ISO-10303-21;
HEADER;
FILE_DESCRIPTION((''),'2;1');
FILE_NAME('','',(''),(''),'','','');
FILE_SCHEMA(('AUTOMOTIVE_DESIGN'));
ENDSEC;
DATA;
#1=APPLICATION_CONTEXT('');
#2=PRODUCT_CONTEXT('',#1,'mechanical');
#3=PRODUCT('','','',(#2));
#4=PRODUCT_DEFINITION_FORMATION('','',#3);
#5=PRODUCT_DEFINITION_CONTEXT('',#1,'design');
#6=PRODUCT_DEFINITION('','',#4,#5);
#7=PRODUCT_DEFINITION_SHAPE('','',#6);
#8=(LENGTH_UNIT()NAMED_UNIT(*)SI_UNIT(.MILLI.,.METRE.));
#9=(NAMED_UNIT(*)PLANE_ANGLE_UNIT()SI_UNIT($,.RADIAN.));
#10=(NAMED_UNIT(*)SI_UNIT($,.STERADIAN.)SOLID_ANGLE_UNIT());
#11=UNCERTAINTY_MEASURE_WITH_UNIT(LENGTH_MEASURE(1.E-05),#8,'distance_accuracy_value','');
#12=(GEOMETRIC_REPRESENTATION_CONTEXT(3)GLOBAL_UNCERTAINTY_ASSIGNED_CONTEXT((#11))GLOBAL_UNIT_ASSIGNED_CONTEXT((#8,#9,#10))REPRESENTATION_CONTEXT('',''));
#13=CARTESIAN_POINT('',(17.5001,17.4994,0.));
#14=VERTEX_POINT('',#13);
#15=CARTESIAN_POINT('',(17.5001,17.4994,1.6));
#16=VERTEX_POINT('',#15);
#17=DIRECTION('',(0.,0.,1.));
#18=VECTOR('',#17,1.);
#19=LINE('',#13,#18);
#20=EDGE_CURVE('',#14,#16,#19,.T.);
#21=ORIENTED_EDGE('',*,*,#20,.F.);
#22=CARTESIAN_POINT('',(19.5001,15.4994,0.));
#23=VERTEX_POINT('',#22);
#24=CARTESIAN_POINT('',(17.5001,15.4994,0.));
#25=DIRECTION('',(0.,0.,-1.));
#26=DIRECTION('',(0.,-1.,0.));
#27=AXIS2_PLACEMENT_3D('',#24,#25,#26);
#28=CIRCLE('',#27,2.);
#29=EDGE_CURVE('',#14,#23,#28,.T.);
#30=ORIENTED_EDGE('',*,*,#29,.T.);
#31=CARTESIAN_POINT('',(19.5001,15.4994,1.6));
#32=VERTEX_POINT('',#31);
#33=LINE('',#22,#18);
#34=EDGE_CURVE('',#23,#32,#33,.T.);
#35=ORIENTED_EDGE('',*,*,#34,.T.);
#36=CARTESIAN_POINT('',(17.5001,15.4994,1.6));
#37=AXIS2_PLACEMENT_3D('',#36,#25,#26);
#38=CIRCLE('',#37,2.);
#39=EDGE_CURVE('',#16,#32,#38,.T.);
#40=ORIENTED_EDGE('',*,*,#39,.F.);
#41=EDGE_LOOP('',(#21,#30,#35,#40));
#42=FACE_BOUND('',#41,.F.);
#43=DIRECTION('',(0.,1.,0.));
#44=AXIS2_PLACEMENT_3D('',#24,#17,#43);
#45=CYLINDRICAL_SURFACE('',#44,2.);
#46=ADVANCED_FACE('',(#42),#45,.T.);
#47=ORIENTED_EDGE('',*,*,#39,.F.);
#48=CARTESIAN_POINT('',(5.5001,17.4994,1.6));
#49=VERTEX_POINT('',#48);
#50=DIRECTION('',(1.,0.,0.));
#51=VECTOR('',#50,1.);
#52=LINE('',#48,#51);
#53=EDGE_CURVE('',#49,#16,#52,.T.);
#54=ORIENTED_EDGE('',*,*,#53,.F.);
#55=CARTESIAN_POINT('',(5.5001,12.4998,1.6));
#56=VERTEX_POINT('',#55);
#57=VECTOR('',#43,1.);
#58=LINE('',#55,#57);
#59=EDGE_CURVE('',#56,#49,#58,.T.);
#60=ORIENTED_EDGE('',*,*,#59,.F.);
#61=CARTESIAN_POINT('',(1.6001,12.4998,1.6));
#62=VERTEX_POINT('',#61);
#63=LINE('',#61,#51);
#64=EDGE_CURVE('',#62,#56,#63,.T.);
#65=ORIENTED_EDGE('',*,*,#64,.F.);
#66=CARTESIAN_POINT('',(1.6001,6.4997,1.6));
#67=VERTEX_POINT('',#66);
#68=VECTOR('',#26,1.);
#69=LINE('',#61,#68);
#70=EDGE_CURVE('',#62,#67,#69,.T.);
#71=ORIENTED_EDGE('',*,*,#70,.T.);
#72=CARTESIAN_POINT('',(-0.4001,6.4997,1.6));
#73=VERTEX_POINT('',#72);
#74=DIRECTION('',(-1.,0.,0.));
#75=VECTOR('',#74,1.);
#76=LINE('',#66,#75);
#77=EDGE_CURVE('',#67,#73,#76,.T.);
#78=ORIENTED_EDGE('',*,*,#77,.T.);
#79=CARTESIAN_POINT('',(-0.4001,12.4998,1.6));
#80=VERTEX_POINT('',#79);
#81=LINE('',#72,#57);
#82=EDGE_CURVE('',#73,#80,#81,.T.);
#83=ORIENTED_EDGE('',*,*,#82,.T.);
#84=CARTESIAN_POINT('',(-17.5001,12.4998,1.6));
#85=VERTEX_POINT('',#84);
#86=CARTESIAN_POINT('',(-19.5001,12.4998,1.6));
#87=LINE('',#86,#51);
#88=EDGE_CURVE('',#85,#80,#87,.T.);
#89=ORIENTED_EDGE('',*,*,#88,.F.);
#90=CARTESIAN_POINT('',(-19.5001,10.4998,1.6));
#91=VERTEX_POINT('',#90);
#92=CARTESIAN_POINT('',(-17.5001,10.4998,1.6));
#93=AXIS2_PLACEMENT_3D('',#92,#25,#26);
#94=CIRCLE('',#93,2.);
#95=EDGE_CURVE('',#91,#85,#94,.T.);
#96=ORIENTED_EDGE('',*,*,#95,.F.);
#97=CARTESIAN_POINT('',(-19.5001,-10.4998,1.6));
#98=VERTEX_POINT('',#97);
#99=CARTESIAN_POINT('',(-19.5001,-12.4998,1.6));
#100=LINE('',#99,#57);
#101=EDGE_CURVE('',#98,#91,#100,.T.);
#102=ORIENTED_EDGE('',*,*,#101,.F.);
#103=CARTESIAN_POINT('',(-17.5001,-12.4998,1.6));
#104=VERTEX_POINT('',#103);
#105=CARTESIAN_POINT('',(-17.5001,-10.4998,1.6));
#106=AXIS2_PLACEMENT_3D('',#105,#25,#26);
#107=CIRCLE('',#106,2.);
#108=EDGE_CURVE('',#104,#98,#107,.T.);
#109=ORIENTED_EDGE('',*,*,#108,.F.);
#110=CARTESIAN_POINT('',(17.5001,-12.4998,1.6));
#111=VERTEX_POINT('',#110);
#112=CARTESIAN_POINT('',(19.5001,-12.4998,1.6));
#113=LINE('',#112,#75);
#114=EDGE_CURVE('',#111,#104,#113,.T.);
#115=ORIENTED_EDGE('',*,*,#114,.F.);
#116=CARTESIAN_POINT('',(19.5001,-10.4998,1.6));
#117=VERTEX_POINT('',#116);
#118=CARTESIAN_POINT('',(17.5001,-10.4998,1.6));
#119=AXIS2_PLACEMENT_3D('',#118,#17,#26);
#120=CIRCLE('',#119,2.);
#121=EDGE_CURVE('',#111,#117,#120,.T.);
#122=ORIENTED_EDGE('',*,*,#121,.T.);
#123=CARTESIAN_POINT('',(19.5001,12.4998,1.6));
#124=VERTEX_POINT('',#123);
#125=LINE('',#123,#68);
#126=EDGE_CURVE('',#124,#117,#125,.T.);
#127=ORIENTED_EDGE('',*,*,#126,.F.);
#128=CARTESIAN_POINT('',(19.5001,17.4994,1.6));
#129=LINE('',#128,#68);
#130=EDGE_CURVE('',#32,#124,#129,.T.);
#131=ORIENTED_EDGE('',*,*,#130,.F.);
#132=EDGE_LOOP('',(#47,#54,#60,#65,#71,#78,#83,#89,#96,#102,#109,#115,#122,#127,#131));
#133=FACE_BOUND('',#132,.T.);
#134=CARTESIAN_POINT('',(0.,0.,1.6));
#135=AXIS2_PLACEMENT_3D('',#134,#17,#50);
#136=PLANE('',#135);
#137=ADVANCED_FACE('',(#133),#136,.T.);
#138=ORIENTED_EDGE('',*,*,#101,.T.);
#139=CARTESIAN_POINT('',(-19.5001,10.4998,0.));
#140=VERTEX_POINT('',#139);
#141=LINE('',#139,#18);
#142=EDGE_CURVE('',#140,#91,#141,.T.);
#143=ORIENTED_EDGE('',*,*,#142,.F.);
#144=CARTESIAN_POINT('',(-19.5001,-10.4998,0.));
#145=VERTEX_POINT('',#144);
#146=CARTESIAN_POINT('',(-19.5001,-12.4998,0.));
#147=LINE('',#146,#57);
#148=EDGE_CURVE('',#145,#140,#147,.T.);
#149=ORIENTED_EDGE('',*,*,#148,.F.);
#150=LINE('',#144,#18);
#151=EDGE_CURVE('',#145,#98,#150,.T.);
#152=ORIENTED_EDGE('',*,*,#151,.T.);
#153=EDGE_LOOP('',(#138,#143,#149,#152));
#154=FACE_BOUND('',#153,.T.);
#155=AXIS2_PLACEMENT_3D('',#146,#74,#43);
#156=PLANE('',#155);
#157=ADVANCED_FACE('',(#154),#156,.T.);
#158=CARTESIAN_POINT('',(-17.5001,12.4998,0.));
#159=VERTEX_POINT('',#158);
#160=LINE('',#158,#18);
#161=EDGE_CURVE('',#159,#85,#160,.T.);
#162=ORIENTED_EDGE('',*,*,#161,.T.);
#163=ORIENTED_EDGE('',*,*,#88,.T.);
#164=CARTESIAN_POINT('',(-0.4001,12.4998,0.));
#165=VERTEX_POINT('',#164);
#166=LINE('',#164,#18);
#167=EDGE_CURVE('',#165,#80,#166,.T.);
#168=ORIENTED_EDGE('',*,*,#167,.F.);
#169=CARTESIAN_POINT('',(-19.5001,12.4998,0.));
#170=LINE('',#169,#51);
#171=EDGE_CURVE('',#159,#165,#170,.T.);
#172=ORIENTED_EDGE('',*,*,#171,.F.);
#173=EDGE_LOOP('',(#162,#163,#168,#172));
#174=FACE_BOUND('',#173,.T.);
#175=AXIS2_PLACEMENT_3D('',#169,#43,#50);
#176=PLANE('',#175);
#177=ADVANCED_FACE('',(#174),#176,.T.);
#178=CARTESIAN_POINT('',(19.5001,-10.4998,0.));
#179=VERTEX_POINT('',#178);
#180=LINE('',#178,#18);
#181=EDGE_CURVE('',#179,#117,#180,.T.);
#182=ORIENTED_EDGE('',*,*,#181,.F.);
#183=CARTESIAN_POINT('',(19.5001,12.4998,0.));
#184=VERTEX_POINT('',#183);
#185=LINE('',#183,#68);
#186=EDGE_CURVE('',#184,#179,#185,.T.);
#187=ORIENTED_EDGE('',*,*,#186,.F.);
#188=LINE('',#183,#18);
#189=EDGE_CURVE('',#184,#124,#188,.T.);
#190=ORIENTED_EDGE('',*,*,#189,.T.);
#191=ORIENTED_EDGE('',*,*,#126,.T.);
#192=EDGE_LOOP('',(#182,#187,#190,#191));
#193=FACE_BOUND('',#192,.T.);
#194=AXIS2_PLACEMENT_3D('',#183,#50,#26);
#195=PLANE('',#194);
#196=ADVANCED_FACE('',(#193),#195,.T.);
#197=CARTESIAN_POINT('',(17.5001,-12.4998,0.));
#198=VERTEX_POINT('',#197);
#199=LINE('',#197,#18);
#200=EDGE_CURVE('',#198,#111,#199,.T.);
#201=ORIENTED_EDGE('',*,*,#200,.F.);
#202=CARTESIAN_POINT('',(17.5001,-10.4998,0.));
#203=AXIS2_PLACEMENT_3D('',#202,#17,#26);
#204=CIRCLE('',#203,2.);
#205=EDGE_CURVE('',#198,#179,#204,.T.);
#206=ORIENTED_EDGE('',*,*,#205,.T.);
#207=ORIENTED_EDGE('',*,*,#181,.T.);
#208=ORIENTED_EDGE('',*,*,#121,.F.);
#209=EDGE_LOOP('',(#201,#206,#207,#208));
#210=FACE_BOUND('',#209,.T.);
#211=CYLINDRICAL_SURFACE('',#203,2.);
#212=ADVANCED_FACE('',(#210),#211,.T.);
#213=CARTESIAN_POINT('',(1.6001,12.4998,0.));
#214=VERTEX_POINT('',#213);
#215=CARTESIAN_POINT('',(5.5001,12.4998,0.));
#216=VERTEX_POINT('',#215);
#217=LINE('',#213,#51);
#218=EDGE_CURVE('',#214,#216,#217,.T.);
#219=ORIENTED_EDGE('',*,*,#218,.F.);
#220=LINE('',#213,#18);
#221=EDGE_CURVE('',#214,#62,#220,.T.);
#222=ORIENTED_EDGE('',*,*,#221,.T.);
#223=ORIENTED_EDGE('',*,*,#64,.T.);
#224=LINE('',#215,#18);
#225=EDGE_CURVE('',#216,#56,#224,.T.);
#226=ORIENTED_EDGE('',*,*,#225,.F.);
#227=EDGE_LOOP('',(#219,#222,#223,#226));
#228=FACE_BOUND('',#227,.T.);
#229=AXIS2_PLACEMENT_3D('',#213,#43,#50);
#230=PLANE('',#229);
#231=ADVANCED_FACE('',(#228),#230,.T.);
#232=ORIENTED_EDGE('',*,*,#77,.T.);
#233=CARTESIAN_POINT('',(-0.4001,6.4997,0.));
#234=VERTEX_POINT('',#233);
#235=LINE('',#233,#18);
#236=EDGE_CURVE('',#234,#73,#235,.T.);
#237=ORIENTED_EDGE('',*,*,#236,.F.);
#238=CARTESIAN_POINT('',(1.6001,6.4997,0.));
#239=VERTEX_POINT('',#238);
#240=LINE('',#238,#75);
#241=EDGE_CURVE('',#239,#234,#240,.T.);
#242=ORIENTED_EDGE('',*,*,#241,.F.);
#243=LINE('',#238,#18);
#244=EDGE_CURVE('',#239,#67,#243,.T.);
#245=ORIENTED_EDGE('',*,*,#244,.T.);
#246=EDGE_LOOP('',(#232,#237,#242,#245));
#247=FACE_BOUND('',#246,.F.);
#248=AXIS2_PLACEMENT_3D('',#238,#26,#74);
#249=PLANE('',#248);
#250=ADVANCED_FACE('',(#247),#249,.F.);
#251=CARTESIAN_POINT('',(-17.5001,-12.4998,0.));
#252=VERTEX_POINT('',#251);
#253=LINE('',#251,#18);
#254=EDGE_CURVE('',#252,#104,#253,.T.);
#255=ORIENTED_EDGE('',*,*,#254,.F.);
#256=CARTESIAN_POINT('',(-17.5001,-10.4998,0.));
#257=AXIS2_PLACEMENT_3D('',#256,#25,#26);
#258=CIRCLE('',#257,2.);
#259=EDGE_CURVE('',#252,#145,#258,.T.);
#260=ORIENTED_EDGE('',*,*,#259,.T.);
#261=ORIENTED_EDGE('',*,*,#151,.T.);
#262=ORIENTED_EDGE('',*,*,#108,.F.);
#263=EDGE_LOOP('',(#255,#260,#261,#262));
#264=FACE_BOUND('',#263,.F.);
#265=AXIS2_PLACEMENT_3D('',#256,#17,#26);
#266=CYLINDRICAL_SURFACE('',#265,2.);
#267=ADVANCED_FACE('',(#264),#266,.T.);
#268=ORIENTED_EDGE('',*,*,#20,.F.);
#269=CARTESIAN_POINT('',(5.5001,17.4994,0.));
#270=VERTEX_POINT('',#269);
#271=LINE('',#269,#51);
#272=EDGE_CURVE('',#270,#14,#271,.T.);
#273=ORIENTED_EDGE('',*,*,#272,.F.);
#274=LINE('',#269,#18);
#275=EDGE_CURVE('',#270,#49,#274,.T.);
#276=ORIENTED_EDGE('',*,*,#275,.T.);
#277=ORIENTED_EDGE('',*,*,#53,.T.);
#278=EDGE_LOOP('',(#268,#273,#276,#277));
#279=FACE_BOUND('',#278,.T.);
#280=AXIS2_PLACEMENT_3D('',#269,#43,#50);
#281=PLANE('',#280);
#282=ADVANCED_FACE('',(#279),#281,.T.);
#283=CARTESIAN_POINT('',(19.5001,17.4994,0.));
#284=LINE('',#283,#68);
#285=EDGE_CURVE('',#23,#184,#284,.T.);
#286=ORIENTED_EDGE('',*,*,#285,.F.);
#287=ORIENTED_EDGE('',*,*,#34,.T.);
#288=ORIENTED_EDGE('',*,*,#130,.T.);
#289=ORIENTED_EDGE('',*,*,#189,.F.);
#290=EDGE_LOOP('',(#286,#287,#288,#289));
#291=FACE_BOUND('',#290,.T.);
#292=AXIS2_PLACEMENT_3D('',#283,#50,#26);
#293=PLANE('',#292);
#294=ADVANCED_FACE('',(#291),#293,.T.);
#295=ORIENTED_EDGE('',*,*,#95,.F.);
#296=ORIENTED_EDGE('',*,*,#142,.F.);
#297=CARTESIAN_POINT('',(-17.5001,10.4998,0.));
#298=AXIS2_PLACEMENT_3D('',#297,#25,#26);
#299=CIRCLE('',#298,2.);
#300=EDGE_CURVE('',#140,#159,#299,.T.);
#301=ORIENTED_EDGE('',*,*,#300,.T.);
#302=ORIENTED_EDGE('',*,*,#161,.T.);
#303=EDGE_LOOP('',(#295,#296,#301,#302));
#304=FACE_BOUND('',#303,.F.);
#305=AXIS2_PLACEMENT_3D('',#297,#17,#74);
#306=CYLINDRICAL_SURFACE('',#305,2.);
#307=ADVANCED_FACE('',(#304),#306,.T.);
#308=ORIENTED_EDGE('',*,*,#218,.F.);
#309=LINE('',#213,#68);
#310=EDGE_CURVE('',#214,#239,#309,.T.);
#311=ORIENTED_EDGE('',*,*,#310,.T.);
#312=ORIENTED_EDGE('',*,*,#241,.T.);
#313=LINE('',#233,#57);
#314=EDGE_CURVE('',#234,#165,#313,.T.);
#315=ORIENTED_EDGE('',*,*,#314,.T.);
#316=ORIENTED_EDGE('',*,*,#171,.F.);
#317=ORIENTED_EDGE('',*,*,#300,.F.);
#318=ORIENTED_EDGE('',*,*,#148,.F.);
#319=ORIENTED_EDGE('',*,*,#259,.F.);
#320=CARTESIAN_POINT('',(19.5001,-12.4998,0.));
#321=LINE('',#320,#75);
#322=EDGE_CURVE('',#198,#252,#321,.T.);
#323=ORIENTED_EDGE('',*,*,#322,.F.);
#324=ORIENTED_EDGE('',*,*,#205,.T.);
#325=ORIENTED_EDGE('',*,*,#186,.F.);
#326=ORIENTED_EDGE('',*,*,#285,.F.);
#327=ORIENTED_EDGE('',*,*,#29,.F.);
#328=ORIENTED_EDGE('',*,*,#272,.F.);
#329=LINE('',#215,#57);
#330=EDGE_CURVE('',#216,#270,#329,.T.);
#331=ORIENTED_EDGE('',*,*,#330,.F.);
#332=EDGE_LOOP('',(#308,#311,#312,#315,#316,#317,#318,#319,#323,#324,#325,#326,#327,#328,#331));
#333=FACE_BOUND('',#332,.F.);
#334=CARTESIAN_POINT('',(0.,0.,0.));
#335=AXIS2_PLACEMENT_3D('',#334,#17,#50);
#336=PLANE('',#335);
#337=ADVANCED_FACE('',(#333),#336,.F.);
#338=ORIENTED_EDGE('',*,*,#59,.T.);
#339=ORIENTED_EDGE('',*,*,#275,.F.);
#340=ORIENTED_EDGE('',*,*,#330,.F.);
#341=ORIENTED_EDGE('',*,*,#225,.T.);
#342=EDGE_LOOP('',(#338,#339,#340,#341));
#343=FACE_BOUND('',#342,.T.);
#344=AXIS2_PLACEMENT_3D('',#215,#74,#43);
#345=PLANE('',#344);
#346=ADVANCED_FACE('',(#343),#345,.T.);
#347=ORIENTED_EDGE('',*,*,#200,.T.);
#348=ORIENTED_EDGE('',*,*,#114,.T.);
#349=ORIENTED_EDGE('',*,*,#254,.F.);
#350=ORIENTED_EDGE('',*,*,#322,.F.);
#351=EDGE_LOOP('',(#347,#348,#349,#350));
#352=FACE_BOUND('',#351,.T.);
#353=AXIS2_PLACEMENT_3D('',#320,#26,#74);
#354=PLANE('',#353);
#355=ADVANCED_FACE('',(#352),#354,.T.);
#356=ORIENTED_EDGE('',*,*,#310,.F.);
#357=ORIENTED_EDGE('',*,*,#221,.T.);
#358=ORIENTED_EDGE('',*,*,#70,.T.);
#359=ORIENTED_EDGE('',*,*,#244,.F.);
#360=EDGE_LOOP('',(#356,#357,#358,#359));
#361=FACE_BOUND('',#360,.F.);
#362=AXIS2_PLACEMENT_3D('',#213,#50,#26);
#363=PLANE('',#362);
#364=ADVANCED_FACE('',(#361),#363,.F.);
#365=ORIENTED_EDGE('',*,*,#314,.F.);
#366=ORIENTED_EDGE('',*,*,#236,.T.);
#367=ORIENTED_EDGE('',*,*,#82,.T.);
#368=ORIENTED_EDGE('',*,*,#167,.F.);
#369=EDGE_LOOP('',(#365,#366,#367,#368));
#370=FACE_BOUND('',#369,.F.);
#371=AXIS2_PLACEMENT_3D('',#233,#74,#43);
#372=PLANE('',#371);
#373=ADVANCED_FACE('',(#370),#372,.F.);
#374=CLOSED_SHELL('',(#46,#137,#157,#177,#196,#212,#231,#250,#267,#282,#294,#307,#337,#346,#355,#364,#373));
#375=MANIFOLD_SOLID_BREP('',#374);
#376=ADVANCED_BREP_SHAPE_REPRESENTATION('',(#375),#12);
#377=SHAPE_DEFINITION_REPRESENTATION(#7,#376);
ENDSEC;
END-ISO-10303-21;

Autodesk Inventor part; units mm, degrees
ref_plane "YZ Plane" through (0, 0, 0) normal (1, 0, 0) x (0, 1, 0)
ref_plane "XZ Plane" through (0, 0, 0) normal (0, 1, 0) x (-1, 0, 0)
ref_plane "XY Plane" through (0, 0, 0) normal (0, 0, 1) x (1, 0, 0)
sketch "Sketch5" plane through (0, 0, 0) normal (0, 0, 1) x (1, 0, 0)
  line L0 (19.5001, -12.4998) -> (-19.5001, -12.4998)
  line L1 (-19.5001, -12.4998) -> (-19.5001, 12.4998)
  line L2 (19.5001, 12.4998) -> (19.5001, -12.4998)
  line L3 (19.5001, -12.4998) -> (-19.5001, 12.4998) construction
  line L4 (-19.5001, -12.4998) -> (19.5001, 12.4998) construction
  line L5 (5.5001, 12.4998) -> (5.5001, 17.4994)
  line L6 (5.5001, 17.4994) -> (19.5001, 17.4994)
  line L7 (19.5001, 17.4994) -> (19.5001, 12.4998)
  line L8 (1.6001, 6.4997) -> (-0.4001, 6.4997)
  line L9 (-0.4001, 6.4997) -> (-0.4001, 12.4998)
  line L10 (1.6001, 12.4998) -> (1.6001, 6.4997)
  line L11 (1.6001, 6.4997) -> (-0.4001, 12.4998) construction
  line L12 (-0.4001, 6.4997) -> (1.6001, 12.4998) construction
  line L13 (-19.5001, 12.4998) -> (-0.4001, 12.4998)
  line L14 (1.6001, 12.4998) -> (5.5001, 12.4998)
extrude "Extrusion4" add sketch "Sketch5" along normal blind 1.6
fillet "Fillet4" radius 2 4 edges at (19.5001, 17.4994, 0.8) (19.5001, -12.4998, 0.8) (-19.5001, -12.4998, 0.8) (-19.5001, 12.4998, 0.8)
properties part number "pcb_balun_bottom"
